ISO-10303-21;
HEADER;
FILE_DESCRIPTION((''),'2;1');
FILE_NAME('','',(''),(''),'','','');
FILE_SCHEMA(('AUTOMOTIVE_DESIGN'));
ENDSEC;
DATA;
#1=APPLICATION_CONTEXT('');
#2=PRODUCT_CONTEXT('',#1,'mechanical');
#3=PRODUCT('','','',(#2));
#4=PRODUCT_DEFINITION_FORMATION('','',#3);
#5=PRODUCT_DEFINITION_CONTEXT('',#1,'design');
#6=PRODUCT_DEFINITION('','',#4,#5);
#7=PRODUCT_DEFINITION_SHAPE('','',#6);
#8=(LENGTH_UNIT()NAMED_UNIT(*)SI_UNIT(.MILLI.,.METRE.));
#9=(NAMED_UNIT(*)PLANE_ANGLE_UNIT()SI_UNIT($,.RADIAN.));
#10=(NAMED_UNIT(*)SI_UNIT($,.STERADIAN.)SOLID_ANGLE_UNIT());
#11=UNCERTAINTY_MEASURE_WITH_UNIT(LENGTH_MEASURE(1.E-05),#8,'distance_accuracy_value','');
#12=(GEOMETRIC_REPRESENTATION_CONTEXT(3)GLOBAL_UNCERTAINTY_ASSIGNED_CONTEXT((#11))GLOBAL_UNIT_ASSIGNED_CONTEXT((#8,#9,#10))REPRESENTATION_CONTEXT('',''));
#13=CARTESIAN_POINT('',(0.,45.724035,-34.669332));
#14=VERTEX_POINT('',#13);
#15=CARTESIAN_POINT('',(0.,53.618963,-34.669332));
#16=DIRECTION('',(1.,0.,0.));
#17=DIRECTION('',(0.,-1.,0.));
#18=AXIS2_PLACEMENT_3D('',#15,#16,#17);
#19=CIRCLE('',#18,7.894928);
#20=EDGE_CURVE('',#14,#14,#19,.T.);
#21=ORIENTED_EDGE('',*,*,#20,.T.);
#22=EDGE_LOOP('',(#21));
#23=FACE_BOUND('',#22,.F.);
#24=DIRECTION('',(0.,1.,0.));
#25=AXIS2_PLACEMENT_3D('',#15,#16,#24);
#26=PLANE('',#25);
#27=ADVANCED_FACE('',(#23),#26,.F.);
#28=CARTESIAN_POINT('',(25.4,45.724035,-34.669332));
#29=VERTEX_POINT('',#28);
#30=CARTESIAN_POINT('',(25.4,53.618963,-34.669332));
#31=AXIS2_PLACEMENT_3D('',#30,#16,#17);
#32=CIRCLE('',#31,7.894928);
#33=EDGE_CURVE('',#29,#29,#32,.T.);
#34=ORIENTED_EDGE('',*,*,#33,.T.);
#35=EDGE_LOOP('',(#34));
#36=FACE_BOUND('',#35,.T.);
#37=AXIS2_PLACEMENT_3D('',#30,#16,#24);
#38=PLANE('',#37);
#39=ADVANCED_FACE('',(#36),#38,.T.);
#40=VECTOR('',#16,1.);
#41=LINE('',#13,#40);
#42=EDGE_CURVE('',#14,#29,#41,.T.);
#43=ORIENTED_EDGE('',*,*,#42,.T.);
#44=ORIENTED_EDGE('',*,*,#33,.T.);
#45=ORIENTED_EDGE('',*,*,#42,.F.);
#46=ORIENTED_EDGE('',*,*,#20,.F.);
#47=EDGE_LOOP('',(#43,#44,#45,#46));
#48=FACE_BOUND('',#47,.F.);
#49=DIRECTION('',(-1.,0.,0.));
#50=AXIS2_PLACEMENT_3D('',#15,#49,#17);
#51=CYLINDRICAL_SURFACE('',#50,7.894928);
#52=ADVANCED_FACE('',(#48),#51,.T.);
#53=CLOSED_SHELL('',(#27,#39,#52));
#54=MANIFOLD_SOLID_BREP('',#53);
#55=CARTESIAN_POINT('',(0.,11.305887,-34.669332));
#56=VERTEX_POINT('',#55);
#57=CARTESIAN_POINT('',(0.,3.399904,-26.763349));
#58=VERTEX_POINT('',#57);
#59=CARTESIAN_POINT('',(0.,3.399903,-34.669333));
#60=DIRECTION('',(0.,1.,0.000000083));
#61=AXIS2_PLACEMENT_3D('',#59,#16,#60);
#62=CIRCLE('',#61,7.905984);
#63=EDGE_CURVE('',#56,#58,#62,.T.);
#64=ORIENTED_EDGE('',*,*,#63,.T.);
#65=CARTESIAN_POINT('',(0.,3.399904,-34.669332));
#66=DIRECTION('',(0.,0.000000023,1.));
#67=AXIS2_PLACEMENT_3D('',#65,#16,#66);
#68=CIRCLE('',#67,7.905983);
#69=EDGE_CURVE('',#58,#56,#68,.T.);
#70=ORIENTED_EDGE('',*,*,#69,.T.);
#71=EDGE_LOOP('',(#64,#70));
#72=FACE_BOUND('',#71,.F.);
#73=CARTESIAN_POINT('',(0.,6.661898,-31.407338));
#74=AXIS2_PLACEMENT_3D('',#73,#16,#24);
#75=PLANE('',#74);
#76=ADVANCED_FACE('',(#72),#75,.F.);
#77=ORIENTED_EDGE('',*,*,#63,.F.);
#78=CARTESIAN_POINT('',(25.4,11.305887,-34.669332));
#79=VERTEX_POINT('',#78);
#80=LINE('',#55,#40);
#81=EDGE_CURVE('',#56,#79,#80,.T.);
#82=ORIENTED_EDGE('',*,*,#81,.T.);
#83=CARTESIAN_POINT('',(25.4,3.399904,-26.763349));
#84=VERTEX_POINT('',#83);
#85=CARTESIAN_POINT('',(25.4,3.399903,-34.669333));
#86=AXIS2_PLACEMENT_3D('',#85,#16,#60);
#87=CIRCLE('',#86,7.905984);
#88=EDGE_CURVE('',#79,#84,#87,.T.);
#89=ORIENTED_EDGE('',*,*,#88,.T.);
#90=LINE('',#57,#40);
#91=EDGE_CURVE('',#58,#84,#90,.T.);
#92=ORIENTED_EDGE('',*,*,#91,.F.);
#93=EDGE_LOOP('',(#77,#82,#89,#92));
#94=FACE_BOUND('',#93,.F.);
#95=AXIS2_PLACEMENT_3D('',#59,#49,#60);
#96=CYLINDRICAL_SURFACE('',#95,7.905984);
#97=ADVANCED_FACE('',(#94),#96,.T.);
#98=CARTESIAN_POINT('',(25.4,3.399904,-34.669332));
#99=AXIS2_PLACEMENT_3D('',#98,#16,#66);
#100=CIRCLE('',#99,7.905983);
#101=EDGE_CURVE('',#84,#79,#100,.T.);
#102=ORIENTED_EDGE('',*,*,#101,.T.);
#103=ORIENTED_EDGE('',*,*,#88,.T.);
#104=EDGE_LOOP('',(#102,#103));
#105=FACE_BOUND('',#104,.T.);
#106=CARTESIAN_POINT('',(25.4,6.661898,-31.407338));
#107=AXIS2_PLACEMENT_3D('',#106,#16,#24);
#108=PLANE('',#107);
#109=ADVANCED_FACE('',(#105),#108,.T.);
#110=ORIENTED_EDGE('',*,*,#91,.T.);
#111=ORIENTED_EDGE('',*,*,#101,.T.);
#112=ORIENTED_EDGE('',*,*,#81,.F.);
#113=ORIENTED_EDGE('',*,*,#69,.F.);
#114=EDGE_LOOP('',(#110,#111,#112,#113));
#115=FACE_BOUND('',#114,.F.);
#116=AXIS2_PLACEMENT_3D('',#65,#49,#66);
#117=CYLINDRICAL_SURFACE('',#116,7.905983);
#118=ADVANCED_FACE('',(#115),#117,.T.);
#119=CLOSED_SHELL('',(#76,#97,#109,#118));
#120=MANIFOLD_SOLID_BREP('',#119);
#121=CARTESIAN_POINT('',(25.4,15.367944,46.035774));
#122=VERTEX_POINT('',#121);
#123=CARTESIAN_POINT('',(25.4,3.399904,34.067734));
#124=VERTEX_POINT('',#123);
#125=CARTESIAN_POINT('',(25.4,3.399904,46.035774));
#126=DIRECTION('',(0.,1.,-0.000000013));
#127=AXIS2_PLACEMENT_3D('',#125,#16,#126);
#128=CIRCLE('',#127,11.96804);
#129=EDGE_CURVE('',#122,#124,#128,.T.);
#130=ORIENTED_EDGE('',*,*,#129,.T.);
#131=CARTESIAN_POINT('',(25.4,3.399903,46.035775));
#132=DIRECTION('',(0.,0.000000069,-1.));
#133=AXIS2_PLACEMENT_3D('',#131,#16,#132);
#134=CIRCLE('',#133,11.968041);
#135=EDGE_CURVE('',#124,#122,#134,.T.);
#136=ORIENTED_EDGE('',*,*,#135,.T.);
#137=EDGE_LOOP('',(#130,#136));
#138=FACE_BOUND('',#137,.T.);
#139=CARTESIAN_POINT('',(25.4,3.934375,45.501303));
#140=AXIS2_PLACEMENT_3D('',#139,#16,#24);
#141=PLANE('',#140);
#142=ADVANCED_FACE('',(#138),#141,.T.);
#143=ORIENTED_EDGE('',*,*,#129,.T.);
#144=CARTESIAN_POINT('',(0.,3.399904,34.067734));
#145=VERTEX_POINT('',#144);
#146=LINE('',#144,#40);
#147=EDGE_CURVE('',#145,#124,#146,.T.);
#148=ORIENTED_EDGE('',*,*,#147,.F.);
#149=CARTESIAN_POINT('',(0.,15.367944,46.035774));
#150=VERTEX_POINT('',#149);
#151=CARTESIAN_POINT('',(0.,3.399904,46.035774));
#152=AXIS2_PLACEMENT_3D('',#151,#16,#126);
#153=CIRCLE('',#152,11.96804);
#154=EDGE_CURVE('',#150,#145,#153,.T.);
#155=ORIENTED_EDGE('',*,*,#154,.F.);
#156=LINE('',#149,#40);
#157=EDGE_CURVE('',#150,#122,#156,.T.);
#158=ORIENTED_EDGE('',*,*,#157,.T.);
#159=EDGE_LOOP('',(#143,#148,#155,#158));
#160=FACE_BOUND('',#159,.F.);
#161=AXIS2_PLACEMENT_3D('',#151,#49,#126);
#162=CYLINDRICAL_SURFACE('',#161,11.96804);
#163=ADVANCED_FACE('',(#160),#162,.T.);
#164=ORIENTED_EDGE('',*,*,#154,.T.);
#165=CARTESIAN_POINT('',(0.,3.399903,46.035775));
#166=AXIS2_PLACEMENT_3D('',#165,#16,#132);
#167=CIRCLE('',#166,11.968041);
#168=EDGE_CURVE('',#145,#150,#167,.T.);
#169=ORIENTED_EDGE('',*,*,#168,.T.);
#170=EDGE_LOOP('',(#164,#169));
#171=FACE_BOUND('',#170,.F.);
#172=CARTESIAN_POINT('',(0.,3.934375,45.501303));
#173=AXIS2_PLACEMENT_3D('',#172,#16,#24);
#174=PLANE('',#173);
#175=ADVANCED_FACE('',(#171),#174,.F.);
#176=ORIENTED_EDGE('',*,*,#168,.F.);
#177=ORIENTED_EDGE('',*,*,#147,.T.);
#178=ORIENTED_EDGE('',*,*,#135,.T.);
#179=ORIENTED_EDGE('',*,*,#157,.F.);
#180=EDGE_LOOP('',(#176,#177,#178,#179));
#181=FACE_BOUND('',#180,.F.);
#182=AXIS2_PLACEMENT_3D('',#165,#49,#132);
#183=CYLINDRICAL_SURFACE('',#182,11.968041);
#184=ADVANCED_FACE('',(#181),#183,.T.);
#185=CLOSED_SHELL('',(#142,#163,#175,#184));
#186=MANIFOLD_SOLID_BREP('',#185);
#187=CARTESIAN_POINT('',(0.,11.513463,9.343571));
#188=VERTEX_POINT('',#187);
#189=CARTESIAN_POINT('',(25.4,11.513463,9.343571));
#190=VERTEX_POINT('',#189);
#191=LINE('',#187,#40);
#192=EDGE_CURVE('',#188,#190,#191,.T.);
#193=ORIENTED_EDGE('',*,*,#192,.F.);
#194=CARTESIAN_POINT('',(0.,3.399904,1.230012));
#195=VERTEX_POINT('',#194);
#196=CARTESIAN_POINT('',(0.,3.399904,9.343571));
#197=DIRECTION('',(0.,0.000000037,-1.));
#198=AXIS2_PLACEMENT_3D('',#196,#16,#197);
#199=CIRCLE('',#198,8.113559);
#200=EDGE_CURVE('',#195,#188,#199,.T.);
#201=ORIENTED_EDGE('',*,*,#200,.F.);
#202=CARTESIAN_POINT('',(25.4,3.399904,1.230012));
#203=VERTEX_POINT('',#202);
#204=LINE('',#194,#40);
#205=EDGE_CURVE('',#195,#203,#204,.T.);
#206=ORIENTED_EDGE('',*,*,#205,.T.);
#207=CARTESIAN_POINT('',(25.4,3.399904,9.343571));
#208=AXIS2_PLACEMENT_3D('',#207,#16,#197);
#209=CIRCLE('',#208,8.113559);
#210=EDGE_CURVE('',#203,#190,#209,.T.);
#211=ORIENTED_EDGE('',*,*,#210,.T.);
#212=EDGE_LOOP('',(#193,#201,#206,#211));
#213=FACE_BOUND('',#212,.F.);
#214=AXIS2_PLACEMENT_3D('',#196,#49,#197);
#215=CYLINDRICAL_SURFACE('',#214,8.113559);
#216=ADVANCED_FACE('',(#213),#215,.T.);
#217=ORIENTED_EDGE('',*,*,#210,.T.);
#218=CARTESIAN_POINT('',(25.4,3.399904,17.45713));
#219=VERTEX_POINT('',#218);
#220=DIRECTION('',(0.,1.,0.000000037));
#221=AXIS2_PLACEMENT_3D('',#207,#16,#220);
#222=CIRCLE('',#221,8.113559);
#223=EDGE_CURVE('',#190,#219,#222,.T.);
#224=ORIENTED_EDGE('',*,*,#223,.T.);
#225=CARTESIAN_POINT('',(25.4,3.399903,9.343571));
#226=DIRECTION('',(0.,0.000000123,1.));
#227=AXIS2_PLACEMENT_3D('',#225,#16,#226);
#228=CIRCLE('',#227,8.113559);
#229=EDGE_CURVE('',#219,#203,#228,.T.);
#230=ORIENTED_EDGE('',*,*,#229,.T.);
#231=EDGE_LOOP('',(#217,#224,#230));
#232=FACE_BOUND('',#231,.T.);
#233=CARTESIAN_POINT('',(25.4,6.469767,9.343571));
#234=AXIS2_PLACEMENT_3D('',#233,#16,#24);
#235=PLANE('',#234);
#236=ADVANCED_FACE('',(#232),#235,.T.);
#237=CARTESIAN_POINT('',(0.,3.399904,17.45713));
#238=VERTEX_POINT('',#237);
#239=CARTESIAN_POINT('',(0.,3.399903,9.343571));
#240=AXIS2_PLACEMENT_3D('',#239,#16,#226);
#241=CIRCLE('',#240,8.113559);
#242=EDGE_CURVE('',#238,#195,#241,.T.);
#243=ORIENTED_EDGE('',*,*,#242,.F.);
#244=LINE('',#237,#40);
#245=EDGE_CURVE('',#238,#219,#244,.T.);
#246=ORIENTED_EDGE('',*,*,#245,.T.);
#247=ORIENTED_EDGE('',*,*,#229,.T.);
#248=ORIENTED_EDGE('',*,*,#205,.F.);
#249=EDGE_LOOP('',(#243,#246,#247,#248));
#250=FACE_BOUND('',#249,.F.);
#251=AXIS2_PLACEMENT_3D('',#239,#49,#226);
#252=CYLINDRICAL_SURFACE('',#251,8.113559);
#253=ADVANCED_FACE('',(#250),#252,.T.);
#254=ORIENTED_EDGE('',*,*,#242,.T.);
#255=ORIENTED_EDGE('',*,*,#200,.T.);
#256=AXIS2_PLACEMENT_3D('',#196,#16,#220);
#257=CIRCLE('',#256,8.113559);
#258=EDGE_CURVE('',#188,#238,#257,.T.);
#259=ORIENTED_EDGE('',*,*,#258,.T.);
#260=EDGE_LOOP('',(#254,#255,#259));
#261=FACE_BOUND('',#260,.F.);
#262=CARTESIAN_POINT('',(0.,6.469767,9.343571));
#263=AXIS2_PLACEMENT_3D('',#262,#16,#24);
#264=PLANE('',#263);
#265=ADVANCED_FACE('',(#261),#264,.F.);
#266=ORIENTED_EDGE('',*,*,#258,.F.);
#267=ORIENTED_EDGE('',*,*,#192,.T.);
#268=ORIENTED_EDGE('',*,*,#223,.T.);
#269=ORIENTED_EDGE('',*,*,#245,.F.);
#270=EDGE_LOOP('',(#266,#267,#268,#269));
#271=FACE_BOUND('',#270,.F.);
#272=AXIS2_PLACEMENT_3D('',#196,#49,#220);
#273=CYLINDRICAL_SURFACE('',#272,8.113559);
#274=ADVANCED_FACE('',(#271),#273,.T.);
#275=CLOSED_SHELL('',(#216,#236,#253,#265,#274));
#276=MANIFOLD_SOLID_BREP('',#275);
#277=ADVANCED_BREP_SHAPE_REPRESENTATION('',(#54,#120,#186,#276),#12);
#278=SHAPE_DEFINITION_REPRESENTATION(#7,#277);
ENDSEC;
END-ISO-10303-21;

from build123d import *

# Parameters (mm, degrees)
F1_DEPTH = 25.4


with BuildPart() as f1:
    # F0 (on Right) → F1 (new body)
    with BuildSketch(Plane.YZ):
        with BuildLine():
            ThreePointArc((61.513891, -34.669332), (53.618963, -26.774404), (45.724035, -34.669332))
            ThreePointArc((45.724035, -34.669332), (53.618963, -42.56426), (61.513891, -34.669332))
        make_face()
        with BuildLine():
            ThreePointArc((11.305887, -34.669332), (8.990278, -29.078958), (3.399904, -26.763349))
            Line((3.399904, -26.763349), (3.399904, -34.669332))
            Line((3.399904, -34.669332), (11.305887, -34.669332))
        make_face()
        with BuildLine():
            Line((3.399904, -34.669332), (3.399904, -26.763349))
            ThreePointArc((3.399904, -26.763349), (-2.190471, -40.259706), (11.305887, -34.669332))
            Line((11.305887, -34.669332), (3.399904, -34.669332))
        make_face()
        with BuildLine():
            ThreePointArc((11.513463, 9.343571), (9.137056, 15.080724), (3.399904, 17.45713))
            Line((3.399904, 17.45713), (3.399904, 1.230012))
            ThreePointArc((3.399904, 1.230012), (9.137056, 3.606418), (11.513463, 9.343571))
        make_face()
        with BuildLine():
            Line((3.399904, 1.230012), (3.399904, 17.45713))
            ThreePointArc((3.399904, 17.45713), (-4.713656, 9.343571), (3.399904, 1.230012))
        make_face()
        with BuildLine():
            ThreePointArc((15.367944, 46.035774), (-5.062779, 54.498456), (3.399904, 34.067734))
            ThreePointArc((3.399904, 34.067734), (11.862586, 37.573092), (15.367944, 46.035774))
        make_face()
    extrude(amount=F1_DEPTH)


solid = f1.part
